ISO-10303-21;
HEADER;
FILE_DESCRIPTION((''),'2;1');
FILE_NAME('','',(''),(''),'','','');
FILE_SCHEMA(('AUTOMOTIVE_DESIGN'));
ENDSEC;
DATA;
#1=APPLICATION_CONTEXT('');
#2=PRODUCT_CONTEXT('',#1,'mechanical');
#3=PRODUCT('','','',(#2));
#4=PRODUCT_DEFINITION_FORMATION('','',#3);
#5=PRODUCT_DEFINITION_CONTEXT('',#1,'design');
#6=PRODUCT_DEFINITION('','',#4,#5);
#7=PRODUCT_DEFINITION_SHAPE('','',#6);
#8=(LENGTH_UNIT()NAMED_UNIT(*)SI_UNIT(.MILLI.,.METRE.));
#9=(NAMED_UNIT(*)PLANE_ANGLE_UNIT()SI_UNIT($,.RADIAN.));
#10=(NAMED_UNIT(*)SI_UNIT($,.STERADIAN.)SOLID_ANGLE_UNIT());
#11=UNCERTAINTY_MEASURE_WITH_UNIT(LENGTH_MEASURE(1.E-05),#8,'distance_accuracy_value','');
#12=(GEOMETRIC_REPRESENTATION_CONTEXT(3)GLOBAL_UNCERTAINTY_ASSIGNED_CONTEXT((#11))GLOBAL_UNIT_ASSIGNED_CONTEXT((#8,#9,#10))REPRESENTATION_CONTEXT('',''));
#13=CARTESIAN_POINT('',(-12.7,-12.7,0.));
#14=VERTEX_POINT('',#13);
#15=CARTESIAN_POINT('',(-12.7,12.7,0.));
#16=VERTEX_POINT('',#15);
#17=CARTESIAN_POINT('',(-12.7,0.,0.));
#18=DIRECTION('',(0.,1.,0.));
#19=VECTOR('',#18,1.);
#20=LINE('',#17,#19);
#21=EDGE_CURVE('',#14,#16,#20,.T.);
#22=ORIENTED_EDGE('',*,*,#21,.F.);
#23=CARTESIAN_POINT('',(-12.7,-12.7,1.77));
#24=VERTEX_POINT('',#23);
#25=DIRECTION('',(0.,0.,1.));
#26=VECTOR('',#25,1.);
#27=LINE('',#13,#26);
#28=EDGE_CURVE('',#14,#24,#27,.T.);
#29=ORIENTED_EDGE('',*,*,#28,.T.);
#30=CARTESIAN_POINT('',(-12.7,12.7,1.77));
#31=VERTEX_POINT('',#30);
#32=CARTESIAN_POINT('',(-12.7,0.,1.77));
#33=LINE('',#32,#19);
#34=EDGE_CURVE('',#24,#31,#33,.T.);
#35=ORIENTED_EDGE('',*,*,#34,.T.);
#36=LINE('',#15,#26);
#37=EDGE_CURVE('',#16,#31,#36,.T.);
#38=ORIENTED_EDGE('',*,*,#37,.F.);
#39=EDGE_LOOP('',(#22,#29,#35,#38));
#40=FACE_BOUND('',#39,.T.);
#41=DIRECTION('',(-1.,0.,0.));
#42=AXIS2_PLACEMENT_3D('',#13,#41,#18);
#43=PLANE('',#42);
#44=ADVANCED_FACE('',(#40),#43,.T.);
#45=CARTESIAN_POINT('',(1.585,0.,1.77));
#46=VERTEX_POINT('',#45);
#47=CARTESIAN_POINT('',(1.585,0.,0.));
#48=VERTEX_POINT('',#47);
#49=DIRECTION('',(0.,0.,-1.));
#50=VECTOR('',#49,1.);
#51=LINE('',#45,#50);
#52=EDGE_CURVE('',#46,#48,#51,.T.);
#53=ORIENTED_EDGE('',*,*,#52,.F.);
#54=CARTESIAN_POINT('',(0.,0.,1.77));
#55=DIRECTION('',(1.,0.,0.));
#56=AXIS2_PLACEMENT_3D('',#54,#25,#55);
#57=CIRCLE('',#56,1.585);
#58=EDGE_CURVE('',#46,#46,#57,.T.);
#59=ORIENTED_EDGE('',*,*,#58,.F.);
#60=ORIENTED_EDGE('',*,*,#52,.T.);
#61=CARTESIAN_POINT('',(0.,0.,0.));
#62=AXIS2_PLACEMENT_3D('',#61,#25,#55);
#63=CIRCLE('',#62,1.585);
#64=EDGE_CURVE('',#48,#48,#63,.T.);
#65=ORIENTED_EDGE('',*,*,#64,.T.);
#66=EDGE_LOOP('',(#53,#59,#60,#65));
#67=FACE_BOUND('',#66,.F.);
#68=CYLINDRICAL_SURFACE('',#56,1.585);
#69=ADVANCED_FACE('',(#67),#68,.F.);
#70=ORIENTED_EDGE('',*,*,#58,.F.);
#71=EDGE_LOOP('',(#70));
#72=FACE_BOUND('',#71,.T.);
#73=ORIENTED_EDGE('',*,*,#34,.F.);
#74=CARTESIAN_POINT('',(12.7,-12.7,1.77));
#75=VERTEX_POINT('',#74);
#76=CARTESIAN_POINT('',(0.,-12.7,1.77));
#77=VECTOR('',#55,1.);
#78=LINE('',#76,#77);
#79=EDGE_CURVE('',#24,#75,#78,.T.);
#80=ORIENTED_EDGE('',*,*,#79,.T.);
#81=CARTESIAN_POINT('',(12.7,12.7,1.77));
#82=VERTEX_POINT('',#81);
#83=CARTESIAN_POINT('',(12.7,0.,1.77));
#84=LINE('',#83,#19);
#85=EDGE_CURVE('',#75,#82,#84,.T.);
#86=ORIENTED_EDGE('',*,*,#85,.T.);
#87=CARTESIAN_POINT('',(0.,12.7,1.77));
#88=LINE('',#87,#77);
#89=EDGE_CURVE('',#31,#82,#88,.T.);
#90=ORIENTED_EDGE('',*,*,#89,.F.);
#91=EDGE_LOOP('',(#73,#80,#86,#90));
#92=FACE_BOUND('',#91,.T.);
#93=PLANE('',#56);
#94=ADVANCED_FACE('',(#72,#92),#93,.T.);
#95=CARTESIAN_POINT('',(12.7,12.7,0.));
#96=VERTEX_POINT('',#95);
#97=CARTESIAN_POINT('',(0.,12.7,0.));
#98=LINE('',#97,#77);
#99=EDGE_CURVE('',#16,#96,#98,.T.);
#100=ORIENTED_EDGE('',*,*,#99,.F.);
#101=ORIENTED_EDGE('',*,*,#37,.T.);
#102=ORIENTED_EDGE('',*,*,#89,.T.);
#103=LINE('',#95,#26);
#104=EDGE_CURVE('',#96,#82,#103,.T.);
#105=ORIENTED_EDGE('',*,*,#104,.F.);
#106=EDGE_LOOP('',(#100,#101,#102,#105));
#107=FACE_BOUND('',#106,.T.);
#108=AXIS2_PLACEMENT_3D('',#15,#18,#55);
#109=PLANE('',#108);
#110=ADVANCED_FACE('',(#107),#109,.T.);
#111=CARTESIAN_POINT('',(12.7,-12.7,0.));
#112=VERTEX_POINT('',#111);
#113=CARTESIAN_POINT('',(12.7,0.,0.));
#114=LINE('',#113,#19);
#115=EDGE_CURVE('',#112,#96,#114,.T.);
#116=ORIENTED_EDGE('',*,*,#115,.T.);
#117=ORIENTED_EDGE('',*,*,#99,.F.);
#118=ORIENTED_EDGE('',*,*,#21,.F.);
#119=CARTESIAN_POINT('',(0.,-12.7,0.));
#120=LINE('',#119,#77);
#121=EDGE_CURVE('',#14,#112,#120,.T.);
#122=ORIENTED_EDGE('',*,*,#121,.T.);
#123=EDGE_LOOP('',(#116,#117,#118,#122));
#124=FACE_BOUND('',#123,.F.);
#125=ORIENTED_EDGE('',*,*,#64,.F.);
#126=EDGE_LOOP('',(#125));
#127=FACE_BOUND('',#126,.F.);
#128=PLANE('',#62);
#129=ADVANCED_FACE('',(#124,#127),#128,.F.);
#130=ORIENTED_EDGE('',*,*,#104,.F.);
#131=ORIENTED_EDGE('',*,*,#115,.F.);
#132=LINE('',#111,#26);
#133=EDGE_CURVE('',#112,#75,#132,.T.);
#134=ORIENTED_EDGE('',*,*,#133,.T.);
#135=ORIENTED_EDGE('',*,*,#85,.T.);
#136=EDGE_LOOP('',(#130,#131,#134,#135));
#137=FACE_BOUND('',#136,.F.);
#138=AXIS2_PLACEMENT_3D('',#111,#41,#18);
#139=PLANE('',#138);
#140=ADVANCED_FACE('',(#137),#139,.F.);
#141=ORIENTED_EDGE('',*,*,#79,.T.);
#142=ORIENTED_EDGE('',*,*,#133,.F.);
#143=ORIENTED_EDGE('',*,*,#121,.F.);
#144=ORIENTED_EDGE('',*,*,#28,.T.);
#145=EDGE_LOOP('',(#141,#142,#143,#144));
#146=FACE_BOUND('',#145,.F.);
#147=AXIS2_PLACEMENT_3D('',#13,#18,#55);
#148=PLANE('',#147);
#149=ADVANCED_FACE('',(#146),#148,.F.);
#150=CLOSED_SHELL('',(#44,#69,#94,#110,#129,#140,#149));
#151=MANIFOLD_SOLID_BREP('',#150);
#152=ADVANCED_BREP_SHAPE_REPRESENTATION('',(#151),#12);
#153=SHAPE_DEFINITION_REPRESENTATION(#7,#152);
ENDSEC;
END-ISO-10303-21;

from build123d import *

# Parameters (mm, degrees)
SKETCH_W    = 25.4
SKETCH_H    = 25.4
PAD_DEPTH   = 1.77
SKETCH001_R = 1.585
HOLE_DEPTH  = 1.771


with BuildPart() as part:
    # Sketch → Pad (new body)
    with BuildSketch(Plane.XY):
        Rectangle(SKETCH_W, SKETCH_H)
    extrude(amount=PAD_DEPTH)

    # Sketch001 (on Face6 of Pad) → Hole (cut, through all)
    with BuildSketch(Plane.XY.offset(1.77)):
        Circle(SKETCH001_R)
    extrude(amount=-HOLE_DEPTH, mode=Mode.SUBTRACT)


solid = part.part
